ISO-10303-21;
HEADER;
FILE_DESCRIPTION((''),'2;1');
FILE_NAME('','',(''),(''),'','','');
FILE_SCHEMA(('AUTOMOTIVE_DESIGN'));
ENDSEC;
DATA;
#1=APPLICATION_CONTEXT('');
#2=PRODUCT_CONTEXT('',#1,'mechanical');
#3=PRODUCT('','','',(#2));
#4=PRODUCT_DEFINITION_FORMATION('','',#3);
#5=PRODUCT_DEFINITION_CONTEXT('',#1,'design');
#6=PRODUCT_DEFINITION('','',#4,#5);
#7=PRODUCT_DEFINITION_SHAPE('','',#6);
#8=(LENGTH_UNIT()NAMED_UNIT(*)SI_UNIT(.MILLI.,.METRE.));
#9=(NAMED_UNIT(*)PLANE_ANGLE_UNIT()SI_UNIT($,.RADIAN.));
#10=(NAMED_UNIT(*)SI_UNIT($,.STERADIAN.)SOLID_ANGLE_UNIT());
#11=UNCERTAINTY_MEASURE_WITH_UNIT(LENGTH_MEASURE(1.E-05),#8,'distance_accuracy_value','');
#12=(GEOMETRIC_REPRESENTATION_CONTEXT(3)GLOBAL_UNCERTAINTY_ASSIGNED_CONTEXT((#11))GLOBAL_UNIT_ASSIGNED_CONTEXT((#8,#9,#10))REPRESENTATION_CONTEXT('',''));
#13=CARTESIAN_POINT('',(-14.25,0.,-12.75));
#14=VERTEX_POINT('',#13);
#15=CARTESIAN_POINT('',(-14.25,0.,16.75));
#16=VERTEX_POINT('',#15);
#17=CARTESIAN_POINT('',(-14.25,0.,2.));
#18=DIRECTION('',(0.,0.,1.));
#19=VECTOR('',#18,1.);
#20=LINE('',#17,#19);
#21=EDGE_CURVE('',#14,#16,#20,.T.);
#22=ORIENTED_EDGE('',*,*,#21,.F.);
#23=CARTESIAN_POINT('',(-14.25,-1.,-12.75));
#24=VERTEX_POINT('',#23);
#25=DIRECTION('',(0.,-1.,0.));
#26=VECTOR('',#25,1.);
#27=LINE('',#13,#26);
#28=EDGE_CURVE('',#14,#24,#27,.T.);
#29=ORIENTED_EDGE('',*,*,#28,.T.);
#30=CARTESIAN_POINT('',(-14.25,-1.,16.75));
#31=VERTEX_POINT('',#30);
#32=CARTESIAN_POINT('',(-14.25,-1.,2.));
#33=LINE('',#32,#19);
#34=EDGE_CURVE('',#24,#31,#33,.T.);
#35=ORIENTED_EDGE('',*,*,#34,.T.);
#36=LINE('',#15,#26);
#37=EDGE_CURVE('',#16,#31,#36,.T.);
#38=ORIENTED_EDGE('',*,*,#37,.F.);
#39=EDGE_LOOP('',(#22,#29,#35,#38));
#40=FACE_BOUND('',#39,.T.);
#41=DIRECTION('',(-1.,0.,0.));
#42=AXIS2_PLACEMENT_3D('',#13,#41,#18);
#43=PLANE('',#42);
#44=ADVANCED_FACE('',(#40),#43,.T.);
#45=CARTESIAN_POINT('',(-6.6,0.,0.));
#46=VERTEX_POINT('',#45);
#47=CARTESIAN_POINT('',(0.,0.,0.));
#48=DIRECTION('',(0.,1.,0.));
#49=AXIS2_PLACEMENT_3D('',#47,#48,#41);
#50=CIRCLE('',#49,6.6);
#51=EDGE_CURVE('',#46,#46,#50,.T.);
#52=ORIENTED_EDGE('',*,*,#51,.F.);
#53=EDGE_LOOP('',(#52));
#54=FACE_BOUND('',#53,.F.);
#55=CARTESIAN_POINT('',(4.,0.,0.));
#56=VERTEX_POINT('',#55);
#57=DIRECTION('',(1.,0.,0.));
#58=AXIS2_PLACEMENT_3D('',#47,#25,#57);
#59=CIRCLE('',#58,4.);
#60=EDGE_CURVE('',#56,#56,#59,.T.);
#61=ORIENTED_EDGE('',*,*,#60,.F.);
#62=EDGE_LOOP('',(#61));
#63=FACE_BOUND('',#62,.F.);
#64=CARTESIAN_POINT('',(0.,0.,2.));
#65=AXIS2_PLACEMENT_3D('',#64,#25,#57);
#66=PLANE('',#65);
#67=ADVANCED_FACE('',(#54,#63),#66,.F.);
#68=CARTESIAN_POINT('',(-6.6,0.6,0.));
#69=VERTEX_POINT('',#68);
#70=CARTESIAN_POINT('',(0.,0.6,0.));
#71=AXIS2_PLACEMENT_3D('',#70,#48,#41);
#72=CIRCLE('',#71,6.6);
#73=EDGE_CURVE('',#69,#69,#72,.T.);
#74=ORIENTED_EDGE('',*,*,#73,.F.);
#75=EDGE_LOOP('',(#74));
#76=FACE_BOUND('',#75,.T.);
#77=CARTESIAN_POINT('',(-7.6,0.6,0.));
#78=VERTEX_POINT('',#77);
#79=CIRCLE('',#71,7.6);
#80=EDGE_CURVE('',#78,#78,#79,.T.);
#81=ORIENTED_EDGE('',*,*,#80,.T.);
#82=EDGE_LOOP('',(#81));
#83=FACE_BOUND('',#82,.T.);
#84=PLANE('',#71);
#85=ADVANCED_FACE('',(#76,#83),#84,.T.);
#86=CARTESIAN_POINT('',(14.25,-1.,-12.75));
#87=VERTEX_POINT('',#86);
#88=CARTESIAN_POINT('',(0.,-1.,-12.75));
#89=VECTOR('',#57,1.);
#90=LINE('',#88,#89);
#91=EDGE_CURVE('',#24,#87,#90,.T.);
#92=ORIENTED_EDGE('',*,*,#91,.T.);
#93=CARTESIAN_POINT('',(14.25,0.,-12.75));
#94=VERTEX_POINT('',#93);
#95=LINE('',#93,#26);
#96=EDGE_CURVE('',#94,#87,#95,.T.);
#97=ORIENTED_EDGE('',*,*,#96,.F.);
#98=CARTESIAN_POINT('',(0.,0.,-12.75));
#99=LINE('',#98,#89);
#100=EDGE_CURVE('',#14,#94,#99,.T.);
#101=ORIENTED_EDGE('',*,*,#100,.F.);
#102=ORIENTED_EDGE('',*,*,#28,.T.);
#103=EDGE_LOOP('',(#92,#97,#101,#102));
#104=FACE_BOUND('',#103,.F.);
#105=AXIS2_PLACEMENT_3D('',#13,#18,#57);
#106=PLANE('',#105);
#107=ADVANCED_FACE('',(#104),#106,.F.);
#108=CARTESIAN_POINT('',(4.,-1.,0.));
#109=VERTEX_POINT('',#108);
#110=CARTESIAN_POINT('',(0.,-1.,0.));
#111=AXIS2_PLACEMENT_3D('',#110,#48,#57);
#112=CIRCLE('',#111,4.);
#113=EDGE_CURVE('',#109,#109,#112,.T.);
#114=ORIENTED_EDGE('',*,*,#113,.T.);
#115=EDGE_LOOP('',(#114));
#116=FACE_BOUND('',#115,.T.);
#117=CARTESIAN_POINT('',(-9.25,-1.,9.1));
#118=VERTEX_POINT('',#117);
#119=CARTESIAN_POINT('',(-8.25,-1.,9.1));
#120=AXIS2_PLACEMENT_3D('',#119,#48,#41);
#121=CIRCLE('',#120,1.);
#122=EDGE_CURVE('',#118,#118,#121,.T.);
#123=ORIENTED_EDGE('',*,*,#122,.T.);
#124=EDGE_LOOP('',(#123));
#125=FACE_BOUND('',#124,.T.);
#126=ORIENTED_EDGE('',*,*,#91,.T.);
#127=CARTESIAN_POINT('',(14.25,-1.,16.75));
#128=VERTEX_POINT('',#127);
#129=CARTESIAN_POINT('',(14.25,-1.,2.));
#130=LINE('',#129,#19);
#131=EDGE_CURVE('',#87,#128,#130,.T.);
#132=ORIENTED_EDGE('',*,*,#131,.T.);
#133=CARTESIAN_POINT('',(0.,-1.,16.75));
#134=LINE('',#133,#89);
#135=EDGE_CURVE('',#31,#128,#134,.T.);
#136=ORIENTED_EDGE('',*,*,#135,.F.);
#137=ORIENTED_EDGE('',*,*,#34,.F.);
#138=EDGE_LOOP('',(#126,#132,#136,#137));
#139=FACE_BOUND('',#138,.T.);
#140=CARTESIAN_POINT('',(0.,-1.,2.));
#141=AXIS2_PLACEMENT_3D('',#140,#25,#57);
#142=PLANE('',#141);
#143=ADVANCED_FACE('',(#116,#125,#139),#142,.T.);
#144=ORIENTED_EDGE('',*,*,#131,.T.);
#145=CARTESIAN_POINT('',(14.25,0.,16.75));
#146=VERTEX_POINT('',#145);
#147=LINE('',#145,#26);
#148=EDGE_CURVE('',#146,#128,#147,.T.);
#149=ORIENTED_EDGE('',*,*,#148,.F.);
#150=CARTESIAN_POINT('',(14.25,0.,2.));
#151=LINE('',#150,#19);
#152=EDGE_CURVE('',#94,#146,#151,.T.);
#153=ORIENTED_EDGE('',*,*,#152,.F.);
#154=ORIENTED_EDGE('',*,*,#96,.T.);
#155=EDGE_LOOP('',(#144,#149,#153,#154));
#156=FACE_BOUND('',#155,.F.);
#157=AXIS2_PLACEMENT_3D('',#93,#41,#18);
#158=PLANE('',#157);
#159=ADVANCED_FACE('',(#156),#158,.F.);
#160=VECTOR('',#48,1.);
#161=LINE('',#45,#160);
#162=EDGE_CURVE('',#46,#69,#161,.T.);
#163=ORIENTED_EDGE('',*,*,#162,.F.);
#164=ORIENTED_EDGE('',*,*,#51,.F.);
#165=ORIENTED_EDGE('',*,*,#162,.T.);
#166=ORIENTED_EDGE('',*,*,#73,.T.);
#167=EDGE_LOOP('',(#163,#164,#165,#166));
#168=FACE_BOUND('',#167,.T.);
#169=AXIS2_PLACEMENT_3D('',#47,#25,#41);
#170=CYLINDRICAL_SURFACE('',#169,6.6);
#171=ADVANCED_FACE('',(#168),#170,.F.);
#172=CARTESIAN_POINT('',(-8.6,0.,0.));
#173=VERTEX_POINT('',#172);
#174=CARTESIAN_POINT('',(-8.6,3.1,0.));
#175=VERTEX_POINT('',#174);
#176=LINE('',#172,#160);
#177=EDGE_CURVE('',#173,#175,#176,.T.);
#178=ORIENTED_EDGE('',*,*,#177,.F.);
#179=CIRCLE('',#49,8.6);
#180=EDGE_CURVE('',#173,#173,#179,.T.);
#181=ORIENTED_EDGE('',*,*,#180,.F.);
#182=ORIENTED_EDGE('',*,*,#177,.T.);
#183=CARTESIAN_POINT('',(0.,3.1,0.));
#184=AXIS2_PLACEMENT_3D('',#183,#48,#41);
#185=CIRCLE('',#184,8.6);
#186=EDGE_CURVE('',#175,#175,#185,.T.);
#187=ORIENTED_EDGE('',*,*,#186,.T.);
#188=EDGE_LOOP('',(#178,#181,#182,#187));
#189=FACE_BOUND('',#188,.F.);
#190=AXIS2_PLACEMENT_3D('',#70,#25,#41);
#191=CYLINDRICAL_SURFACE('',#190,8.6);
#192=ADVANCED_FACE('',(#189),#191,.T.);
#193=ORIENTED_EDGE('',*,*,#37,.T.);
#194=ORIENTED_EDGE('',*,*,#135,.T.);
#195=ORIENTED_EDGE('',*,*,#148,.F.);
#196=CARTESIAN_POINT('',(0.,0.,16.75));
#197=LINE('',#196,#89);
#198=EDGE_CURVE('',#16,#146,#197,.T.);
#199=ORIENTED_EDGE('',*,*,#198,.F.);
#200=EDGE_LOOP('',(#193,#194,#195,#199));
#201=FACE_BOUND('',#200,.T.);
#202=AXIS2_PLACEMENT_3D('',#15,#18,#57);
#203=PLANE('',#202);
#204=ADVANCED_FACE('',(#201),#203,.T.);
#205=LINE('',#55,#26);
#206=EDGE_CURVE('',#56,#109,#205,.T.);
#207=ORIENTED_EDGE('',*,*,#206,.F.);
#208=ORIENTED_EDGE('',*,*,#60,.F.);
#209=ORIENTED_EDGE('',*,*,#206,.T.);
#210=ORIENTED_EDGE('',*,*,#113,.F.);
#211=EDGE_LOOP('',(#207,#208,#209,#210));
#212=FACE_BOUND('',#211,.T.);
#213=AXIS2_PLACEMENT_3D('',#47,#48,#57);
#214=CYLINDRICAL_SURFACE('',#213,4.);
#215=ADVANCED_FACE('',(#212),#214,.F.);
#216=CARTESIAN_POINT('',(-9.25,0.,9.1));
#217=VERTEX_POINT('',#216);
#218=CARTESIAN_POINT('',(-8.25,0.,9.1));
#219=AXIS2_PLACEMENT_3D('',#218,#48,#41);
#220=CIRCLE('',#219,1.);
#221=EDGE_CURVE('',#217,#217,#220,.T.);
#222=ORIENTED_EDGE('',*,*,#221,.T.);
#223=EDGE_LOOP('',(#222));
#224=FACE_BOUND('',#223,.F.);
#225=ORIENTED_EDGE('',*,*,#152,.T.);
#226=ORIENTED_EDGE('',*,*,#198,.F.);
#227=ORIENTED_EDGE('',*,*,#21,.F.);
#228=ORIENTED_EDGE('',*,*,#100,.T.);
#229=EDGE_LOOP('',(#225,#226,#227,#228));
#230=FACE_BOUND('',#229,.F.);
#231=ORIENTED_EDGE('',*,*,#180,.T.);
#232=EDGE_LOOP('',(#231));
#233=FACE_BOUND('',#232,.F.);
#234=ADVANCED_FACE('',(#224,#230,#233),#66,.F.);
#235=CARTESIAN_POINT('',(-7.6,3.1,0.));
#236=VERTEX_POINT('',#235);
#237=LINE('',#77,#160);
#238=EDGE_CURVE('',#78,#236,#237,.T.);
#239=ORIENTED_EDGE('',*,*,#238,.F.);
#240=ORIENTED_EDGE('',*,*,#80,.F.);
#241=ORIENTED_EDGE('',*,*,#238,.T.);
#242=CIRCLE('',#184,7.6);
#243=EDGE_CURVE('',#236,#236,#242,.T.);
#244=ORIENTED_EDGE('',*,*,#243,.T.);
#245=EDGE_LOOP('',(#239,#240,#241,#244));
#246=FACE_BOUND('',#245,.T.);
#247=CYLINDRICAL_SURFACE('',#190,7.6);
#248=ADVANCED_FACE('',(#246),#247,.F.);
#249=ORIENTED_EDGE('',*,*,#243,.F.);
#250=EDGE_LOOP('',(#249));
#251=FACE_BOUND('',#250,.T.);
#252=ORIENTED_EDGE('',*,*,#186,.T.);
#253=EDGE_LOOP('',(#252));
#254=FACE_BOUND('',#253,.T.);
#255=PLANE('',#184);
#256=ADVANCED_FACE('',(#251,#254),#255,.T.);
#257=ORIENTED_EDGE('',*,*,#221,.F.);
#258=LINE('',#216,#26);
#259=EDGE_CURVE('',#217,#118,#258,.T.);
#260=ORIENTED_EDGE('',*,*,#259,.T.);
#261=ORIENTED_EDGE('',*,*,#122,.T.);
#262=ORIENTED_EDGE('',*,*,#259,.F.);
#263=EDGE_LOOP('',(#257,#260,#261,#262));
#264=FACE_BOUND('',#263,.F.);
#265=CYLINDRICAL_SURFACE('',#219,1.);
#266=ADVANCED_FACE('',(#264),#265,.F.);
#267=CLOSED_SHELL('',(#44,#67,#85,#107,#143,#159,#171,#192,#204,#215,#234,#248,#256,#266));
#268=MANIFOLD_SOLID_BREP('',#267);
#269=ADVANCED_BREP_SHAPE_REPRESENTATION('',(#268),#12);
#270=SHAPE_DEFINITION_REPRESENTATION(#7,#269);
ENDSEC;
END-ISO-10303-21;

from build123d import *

# Parameters (mm, degrees)
F0_W      = 28.5
F0_H      = 29.5
F1_DEPTH  = 1
F3_R      = 4
F4_DEPTH  = 25
F5_R      = 8.6
F5_R_2    = 6.6
F6_DEPTH  = 0.6
F7_R      = 8.6
F7_R_2    = 7.6
F8_DEPTH  = 2.5
F9_R      = 1
F10_DEPTH = 25


with BuildPart() as f1:
    # F0 (on Front) → F1 (new body)
    with BuildSketch(Plane.XZ):
        with Locations((0, 2)):
            Rectangle(F0_W, F0_H)
    extrude(amount=F1_DEPTH)

    # F3 (on Front) → F4 (cut)
    with BuildSketch(Plane.XZ):
        Circle(F3_R)
    extrude(amount=F4_DEPTH, mode=Mode.SUBTRACT)

    # F5 (on face) → F6 (join)
    with BuildSketch(Plane(origin=(0, 0, 0), x_dir=(-1, 0, 0), z_dir=(0, 1, 0))):
        Circle(F5_R)
        Circle(F5_R_2, mode=Mode.SUBTRACT)
    extrude(amount=F6_DEPTH)

    # F7 (on face) → F8 (join)
    with BuildSketch(Plane(origin=(0, 0.6, 0), x_dir=(-1, 0, 0), z_dir=(0, 1, 0))):
        Circle(F7_R)
        Circle(F7_R_2, mode=Mode.SUBTRACT)
    extrude(amount=F8_DEPTH)

    # F9 (on face) → F10 (cut)
    with BuildSketch(Plane(origin=(0, 0, 0), x_dir=(-1, 0, 0), z_dir=(0, 1, 0))):
        with Locations((8.25, 9.1)):
            Circle(F9_R)
    extrude(amount=-F10_DEPTH, mode=Mode.SUBTRACT)


solid = f1.part
